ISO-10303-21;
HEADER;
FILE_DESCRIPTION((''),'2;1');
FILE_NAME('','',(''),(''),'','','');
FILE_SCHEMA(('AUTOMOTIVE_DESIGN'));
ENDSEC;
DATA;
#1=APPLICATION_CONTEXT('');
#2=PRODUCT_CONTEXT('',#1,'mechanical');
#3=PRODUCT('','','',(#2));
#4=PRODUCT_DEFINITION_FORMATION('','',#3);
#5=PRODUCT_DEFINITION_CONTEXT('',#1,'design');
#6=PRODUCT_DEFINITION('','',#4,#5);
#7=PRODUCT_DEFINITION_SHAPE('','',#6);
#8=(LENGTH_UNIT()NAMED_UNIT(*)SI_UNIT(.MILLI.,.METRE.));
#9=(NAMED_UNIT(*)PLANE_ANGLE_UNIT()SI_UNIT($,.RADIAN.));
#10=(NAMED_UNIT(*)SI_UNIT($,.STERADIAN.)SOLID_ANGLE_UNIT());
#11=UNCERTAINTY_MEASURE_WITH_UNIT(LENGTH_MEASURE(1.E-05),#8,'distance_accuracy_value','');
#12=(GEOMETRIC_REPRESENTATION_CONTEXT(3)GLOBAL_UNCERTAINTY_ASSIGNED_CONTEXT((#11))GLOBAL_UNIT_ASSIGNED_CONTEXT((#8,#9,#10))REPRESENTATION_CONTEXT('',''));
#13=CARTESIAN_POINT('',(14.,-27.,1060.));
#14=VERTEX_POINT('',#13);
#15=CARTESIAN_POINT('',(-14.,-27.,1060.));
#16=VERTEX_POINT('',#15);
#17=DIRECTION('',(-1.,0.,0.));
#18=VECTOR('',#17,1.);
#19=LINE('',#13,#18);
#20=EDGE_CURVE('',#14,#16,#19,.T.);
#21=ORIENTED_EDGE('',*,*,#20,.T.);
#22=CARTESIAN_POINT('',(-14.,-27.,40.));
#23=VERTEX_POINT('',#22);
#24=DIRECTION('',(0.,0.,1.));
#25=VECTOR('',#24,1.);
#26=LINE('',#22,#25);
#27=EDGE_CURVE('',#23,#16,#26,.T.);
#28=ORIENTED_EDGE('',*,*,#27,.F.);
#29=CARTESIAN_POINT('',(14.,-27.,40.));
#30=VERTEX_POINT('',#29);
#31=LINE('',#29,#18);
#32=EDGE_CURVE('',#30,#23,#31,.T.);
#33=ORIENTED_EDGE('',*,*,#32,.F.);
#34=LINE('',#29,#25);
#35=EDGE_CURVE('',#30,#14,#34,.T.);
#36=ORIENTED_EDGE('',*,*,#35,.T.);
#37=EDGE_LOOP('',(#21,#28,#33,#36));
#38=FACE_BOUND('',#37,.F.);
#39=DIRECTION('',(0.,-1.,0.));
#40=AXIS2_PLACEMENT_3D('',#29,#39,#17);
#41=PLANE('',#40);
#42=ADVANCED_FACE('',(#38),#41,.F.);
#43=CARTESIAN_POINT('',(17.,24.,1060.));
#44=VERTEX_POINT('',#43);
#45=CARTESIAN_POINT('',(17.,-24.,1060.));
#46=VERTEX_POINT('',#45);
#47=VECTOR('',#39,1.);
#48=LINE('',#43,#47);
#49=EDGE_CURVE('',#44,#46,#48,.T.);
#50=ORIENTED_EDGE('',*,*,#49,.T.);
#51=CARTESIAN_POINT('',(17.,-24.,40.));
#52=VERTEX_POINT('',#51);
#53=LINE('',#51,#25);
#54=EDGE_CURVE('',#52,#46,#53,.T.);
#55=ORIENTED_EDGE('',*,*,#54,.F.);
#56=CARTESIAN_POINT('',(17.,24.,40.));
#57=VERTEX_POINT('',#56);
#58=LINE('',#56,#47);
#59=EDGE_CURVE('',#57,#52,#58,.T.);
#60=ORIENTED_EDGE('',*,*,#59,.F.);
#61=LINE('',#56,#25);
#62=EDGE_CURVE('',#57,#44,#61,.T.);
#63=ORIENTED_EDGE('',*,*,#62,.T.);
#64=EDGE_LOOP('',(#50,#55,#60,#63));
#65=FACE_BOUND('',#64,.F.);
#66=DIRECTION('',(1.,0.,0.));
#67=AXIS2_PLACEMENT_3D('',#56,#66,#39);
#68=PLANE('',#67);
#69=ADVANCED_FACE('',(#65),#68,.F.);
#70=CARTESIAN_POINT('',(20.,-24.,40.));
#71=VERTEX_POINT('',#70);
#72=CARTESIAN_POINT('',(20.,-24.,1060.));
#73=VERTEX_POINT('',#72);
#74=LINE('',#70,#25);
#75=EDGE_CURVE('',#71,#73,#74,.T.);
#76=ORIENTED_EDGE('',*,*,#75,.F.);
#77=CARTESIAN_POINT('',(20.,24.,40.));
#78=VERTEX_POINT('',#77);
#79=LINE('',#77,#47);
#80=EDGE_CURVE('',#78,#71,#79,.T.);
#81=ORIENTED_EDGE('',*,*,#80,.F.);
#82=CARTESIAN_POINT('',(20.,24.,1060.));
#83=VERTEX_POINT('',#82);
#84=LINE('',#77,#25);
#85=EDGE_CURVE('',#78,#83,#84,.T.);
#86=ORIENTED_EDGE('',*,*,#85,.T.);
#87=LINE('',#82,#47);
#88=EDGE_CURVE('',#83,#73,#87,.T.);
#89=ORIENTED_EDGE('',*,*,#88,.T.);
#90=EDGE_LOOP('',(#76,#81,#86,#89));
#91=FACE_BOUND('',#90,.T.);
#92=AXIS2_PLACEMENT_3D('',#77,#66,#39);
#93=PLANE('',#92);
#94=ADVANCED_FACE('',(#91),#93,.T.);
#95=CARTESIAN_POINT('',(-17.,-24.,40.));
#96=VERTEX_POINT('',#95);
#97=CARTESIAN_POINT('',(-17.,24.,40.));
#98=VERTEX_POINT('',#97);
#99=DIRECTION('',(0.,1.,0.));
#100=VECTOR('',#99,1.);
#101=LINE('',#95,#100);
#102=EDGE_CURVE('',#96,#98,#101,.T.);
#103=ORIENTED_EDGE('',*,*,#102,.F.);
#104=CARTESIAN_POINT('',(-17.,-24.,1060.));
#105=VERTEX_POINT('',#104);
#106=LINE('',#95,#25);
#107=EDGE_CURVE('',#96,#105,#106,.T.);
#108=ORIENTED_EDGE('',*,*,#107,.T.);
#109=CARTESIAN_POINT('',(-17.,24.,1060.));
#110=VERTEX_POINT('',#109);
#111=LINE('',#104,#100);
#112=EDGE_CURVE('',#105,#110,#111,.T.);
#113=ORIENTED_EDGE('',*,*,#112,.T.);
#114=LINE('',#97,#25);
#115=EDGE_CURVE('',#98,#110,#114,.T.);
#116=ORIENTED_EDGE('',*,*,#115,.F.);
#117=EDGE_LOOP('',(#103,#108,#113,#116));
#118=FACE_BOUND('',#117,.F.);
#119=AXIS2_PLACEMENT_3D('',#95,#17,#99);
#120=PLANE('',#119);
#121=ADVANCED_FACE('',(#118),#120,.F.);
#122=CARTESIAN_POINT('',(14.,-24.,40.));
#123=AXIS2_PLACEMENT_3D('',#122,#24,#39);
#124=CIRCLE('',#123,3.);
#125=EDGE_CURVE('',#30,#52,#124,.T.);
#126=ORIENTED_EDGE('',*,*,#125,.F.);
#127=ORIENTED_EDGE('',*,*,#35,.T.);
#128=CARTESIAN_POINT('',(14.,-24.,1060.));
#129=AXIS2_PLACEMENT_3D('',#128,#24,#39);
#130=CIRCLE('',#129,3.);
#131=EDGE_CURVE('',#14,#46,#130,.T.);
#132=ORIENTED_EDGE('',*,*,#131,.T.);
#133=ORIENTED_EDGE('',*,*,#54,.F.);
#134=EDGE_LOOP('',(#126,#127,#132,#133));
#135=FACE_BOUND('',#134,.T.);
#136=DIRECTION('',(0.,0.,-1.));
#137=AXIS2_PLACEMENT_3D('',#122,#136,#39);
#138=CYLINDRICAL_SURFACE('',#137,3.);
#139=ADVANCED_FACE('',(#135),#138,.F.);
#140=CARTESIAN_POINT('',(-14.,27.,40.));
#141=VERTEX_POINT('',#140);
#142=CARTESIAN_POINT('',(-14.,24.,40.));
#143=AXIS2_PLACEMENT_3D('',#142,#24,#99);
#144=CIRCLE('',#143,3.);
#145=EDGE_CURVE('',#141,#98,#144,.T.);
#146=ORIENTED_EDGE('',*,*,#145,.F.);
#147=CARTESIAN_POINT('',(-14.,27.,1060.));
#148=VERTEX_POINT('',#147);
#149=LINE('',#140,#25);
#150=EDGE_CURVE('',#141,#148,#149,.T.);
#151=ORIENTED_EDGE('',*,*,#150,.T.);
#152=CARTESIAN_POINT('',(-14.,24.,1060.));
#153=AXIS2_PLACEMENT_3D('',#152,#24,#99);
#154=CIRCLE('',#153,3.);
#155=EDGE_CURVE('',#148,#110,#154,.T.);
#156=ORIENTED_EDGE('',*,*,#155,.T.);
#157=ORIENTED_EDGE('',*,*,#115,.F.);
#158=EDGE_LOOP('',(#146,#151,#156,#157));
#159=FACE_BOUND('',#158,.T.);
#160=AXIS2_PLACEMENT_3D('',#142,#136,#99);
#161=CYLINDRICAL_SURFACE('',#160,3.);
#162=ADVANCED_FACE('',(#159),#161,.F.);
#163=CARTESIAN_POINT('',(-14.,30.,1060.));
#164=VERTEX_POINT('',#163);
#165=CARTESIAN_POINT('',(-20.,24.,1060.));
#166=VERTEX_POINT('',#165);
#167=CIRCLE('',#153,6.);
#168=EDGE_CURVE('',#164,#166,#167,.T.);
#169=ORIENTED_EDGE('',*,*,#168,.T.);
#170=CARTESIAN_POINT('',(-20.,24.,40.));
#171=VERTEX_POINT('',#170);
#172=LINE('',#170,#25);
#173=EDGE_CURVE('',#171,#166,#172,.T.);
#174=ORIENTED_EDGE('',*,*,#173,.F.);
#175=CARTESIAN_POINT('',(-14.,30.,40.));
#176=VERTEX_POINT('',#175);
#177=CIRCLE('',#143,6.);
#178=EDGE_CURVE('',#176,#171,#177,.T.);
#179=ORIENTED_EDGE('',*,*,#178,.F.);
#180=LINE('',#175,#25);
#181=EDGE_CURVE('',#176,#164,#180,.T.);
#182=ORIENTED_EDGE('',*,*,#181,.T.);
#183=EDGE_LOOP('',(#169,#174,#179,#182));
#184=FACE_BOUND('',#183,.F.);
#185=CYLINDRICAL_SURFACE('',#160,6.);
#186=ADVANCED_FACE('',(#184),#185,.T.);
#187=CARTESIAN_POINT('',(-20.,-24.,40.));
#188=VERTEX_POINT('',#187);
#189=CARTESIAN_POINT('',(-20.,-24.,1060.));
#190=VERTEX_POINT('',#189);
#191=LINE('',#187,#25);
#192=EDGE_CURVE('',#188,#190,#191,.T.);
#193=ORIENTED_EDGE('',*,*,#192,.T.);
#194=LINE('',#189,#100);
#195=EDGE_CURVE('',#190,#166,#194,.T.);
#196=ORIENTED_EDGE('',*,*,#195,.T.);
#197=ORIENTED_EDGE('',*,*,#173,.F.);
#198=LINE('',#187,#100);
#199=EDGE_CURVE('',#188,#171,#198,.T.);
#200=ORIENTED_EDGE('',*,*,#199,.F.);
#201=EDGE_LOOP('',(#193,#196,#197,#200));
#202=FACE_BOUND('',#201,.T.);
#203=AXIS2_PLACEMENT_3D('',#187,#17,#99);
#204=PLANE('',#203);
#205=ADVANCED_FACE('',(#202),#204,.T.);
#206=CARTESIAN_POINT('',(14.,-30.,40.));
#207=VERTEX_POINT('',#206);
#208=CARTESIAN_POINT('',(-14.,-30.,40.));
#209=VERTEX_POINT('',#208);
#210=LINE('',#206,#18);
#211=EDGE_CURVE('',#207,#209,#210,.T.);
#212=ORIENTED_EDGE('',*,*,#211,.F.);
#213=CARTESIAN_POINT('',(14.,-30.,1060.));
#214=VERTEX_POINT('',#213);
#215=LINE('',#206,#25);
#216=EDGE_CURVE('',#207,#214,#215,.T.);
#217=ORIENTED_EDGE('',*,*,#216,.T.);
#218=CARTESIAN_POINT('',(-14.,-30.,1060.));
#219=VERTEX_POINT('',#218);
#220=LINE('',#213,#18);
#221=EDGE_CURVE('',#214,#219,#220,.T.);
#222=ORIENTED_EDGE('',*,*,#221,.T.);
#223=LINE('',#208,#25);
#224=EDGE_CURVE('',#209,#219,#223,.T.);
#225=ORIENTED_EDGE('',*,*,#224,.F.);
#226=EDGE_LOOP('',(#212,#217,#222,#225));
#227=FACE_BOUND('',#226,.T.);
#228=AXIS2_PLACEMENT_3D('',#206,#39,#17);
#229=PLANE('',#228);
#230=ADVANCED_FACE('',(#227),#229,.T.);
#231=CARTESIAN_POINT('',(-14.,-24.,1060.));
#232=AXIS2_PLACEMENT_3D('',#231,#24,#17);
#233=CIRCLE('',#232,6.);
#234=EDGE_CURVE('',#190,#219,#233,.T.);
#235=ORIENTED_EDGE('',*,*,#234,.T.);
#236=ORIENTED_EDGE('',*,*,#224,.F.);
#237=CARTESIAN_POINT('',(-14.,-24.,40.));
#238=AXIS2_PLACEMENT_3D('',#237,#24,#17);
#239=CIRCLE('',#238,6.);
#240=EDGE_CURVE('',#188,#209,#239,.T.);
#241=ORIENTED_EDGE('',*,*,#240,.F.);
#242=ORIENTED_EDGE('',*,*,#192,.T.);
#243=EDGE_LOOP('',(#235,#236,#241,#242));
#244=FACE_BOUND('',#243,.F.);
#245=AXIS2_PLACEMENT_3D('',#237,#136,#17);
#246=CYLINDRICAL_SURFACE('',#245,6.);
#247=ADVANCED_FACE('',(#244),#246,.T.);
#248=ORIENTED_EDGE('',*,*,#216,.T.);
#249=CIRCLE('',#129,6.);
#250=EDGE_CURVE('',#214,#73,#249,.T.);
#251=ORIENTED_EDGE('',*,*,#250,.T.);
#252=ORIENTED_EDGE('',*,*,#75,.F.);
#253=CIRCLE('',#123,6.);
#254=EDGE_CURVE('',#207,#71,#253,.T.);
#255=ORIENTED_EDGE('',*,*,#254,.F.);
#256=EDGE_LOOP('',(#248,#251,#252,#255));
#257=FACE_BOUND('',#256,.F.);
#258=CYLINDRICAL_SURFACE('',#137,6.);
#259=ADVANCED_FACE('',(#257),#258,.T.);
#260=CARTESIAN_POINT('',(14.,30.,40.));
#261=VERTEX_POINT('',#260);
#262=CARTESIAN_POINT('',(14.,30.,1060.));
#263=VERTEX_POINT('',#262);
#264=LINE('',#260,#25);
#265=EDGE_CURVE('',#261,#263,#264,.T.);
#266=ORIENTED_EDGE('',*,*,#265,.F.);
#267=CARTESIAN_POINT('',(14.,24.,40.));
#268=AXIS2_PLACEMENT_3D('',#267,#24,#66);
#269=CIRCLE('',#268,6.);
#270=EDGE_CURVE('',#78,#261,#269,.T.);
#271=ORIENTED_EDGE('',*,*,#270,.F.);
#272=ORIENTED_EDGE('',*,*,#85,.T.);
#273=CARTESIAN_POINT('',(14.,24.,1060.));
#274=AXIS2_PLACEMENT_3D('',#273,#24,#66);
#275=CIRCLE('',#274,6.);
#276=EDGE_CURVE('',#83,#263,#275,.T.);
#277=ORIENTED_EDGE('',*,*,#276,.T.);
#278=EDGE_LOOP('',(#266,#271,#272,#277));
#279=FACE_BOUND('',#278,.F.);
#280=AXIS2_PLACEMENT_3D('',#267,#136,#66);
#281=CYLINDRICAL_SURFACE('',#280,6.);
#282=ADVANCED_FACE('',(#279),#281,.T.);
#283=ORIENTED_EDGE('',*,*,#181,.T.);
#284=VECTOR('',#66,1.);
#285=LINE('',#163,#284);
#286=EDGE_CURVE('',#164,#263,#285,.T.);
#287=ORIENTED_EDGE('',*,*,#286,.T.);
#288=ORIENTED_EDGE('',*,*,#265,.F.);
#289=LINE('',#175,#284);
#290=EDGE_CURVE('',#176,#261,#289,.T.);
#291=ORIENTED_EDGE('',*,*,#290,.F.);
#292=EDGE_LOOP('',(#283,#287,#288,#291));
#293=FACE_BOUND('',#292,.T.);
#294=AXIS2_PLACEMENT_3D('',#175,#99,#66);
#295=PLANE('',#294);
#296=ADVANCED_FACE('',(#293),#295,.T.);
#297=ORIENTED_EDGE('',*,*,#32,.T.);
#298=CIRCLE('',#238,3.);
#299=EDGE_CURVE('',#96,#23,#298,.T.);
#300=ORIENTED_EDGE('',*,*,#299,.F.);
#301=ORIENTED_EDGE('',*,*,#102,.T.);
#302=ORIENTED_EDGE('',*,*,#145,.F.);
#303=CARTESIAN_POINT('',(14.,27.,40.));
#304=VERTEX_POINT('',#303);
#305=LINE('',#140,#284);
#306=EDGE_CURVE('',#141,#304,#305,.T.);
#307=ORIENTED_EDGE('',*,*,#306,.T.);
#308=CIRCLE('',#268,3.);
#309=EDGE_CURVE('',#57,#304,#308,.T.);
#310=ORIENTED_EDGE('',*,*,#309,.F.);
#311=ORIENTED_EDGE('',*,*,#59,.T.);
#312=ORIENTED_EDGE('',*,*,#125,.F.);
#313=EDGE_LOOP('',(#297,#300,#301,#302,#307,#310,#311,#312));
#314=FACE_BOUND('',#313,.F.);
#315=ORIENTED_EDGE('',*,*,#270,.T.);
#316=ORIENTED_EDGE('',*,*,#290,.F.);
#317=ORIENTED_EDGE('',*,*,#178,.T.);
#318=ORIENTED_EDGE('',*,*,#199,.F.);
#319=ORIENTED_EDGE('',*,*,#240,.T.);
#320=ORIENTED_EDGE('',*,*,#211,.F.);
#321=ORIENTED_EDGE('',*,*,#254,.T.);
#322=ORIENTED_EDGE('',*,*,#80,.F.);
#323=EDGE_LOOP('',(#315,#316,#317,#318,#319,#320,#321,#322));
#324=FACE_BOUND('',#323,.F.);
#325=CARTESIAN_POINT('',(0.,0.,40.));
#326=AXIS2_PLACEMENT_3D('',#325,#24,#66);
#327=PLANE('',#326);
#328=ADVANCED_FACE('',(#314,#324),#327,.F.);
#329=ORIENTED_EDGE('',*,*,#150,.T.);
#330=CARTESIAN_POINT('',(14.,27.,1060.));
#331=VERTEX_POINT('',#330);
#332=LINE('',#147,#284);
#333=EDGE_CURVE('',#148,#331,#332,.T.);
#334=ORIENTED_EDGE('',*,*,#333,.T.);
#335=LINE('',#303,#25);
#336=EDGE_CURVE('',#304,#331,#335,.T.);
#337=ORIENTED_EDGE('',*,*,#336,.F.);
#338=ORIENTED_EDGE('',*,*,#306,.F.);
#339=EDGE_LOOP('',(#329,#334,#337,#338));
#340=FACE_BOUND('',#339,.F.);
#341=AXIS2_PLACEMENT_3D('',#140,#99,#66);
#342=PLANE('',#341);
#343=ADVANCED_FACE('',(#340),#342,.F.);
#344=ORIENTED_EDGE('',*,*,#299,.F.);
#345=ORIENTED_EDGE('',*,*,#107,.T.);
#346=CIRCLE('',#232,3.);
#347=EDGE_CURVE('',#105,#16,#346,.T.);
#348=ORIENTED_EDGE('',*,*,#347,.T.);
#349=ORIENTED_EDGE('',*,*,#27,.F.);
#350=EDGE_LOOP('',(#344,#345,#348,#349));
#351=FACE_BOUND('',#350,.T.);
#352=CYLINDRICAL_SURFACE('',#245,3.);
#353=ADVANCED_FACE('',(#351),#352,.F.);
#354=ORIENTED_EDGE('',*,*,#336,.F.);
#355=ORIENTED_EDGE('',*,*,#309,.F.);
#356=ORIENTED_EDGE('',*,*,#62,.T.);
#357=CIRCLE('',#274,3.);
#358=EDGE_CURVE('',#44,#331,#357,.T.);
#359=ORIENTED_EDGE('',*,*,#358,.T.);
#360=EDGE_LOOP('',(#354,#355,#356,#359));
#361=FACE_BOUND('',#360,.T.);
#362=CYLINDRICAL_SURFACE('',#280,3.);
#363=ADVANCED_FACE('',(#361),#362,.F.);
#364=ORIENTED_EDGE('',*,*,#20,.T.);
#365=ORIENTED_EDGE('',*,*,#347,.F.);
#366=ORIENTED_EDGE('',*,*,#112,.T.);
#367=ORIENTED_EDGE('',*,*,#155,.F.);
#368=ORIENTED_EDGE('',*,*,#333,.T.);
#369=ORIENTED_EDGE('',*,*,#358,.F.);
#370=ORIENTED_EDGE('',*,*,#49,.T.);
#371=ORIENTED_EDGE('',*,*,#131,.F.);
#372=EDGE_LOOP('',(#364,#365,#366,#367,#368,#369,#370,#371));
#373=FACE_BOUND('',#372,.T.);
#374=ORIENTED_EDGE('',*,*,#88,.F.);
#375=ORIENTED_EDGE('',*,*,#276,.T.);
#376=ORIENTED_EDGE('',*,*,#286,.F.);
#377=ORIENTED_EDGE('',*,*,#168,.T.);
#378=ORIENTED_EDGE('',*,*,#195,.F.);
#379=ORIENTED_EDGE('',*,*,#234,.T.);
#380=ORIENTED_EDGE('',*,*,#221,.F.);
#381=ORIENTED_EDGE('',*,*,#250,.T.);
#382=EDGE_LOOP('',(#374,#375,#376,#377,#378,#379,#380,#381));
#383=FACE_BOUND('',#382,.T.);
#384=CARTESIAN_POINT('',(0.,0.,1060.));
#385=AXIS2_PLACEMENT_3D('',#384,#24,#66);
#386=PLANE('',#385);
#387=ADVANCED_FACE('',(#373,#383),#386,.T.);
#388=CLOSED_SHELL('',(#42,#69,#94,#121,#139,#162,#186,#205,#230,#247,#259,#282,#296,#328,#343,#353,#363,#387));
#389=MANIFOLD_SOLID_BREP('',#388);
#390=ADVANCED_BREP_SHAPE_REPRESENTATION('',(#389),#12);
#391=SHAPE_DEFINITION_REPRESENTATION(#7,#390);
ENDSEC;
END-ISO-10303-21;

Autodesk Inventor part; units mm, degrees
ref_plane "YZ Plane" through (0, 0, 0) normal (1, 0, 0) x (0, 1, 0)
ref_plane "Start Plane" through (0, 0, 40) normal (0, 0, 1) x (1, 0, 0)
ref_plane "End Plane" through (0, 0, 1060) normal (0, 0, 1) x (1, 0, 0)
sketch "Sketch" plane through (0, 0, 0) normal (0, 0, 1) x (1, 0, 0)
  line L0 (-20, -24) -> (-20, 24)
  line L1 (-14, 30) -> (14, 30)
  line L2 (20, 24) -> (20, -24)
  line L3 (14, -30) -> (-14, -30)
  arc A0 (-20, -24) -> (-14, -30) centre (-14, -24) ccw
  arc A1 (20, 24) -> (14, 30) centre (14, 24) ccw
  arc A2 (-14, 30) -> (-20, 24) centre (-14, 24) ccw
  arc A3 (14, -30) -> (20, -24) centre (14, -24) ccw
  arc A4 (-14, 27) -> (-17, 24) centre (-14, 24) ccw
  line L4 (-14, 27) -> (14, 27)
  arc A5 (17, 24) -> (14, 27) centre (14, 24) ccw
  line L5 (17, 24) -> (17, -24)
  arc A6 (14, -27) -> (17, -24) centre (14, -24) ccw
  line L6 (14, -27) -> (-14, -27)
  arc A7 (-17, -24) -> (-14, -27) centre (-14, -24) ccw
  line L7 (-17, -24) -> (-17, 24)
  line L8 (0, 43.7397) -> (0, -43.7397) construction
  line L9 (-29.7397, 0) -> (29.7397, 0) construction
  dimension "d7" = 6
  dimension "d9" = 40
  dimension "d11" = 60
  dimension "d12" = 3
  dimension "d15" = 20
  dimension "d16" = 30
extrude "Body" add sketch "Sketch" along normal up to surface (1020 mm away) from surface at 40
sketch "Sketch3" plane through (0, 0, 0) normal (0, 0, 1) x (1, 0, 0)
  line L0 (0, 0) -> (10, 0)
ref_plane "Work Plane3" through (0, 0, 0) normal (0, -1, 0) x (1, 0, 0)
sketch "Sketch4" plane through (0, 0, 0) normal (0, -1, 0) x (1, 0, 0)
  line L0 (-2, 40) -> (12, 40) projected
  line L1 (-2, 1060) -> (12, 1060) projected
  dimension "d18" = 1020
equation "\"d7\" = G_IR"
equation "\"d9\" = G_W"
equation "\"d11\" = G_H"
equation "\"d12\" = G_T"
equation "\"d15\" = 0.5 * d9"
equation "\"d16\" = 0.5 * d11"
equation "\"d3\" = G_L"
equation "\"G_W\" = 40"
equation "\"G_H\" = 60"
equation "\"G_T\" = 3"
equation "\"G_IR\" = 6"
equation "\"G_L\" = d18"
properties part number "ISO 4019 - 60x40x3 - 1020" material "Steel, Mild"
